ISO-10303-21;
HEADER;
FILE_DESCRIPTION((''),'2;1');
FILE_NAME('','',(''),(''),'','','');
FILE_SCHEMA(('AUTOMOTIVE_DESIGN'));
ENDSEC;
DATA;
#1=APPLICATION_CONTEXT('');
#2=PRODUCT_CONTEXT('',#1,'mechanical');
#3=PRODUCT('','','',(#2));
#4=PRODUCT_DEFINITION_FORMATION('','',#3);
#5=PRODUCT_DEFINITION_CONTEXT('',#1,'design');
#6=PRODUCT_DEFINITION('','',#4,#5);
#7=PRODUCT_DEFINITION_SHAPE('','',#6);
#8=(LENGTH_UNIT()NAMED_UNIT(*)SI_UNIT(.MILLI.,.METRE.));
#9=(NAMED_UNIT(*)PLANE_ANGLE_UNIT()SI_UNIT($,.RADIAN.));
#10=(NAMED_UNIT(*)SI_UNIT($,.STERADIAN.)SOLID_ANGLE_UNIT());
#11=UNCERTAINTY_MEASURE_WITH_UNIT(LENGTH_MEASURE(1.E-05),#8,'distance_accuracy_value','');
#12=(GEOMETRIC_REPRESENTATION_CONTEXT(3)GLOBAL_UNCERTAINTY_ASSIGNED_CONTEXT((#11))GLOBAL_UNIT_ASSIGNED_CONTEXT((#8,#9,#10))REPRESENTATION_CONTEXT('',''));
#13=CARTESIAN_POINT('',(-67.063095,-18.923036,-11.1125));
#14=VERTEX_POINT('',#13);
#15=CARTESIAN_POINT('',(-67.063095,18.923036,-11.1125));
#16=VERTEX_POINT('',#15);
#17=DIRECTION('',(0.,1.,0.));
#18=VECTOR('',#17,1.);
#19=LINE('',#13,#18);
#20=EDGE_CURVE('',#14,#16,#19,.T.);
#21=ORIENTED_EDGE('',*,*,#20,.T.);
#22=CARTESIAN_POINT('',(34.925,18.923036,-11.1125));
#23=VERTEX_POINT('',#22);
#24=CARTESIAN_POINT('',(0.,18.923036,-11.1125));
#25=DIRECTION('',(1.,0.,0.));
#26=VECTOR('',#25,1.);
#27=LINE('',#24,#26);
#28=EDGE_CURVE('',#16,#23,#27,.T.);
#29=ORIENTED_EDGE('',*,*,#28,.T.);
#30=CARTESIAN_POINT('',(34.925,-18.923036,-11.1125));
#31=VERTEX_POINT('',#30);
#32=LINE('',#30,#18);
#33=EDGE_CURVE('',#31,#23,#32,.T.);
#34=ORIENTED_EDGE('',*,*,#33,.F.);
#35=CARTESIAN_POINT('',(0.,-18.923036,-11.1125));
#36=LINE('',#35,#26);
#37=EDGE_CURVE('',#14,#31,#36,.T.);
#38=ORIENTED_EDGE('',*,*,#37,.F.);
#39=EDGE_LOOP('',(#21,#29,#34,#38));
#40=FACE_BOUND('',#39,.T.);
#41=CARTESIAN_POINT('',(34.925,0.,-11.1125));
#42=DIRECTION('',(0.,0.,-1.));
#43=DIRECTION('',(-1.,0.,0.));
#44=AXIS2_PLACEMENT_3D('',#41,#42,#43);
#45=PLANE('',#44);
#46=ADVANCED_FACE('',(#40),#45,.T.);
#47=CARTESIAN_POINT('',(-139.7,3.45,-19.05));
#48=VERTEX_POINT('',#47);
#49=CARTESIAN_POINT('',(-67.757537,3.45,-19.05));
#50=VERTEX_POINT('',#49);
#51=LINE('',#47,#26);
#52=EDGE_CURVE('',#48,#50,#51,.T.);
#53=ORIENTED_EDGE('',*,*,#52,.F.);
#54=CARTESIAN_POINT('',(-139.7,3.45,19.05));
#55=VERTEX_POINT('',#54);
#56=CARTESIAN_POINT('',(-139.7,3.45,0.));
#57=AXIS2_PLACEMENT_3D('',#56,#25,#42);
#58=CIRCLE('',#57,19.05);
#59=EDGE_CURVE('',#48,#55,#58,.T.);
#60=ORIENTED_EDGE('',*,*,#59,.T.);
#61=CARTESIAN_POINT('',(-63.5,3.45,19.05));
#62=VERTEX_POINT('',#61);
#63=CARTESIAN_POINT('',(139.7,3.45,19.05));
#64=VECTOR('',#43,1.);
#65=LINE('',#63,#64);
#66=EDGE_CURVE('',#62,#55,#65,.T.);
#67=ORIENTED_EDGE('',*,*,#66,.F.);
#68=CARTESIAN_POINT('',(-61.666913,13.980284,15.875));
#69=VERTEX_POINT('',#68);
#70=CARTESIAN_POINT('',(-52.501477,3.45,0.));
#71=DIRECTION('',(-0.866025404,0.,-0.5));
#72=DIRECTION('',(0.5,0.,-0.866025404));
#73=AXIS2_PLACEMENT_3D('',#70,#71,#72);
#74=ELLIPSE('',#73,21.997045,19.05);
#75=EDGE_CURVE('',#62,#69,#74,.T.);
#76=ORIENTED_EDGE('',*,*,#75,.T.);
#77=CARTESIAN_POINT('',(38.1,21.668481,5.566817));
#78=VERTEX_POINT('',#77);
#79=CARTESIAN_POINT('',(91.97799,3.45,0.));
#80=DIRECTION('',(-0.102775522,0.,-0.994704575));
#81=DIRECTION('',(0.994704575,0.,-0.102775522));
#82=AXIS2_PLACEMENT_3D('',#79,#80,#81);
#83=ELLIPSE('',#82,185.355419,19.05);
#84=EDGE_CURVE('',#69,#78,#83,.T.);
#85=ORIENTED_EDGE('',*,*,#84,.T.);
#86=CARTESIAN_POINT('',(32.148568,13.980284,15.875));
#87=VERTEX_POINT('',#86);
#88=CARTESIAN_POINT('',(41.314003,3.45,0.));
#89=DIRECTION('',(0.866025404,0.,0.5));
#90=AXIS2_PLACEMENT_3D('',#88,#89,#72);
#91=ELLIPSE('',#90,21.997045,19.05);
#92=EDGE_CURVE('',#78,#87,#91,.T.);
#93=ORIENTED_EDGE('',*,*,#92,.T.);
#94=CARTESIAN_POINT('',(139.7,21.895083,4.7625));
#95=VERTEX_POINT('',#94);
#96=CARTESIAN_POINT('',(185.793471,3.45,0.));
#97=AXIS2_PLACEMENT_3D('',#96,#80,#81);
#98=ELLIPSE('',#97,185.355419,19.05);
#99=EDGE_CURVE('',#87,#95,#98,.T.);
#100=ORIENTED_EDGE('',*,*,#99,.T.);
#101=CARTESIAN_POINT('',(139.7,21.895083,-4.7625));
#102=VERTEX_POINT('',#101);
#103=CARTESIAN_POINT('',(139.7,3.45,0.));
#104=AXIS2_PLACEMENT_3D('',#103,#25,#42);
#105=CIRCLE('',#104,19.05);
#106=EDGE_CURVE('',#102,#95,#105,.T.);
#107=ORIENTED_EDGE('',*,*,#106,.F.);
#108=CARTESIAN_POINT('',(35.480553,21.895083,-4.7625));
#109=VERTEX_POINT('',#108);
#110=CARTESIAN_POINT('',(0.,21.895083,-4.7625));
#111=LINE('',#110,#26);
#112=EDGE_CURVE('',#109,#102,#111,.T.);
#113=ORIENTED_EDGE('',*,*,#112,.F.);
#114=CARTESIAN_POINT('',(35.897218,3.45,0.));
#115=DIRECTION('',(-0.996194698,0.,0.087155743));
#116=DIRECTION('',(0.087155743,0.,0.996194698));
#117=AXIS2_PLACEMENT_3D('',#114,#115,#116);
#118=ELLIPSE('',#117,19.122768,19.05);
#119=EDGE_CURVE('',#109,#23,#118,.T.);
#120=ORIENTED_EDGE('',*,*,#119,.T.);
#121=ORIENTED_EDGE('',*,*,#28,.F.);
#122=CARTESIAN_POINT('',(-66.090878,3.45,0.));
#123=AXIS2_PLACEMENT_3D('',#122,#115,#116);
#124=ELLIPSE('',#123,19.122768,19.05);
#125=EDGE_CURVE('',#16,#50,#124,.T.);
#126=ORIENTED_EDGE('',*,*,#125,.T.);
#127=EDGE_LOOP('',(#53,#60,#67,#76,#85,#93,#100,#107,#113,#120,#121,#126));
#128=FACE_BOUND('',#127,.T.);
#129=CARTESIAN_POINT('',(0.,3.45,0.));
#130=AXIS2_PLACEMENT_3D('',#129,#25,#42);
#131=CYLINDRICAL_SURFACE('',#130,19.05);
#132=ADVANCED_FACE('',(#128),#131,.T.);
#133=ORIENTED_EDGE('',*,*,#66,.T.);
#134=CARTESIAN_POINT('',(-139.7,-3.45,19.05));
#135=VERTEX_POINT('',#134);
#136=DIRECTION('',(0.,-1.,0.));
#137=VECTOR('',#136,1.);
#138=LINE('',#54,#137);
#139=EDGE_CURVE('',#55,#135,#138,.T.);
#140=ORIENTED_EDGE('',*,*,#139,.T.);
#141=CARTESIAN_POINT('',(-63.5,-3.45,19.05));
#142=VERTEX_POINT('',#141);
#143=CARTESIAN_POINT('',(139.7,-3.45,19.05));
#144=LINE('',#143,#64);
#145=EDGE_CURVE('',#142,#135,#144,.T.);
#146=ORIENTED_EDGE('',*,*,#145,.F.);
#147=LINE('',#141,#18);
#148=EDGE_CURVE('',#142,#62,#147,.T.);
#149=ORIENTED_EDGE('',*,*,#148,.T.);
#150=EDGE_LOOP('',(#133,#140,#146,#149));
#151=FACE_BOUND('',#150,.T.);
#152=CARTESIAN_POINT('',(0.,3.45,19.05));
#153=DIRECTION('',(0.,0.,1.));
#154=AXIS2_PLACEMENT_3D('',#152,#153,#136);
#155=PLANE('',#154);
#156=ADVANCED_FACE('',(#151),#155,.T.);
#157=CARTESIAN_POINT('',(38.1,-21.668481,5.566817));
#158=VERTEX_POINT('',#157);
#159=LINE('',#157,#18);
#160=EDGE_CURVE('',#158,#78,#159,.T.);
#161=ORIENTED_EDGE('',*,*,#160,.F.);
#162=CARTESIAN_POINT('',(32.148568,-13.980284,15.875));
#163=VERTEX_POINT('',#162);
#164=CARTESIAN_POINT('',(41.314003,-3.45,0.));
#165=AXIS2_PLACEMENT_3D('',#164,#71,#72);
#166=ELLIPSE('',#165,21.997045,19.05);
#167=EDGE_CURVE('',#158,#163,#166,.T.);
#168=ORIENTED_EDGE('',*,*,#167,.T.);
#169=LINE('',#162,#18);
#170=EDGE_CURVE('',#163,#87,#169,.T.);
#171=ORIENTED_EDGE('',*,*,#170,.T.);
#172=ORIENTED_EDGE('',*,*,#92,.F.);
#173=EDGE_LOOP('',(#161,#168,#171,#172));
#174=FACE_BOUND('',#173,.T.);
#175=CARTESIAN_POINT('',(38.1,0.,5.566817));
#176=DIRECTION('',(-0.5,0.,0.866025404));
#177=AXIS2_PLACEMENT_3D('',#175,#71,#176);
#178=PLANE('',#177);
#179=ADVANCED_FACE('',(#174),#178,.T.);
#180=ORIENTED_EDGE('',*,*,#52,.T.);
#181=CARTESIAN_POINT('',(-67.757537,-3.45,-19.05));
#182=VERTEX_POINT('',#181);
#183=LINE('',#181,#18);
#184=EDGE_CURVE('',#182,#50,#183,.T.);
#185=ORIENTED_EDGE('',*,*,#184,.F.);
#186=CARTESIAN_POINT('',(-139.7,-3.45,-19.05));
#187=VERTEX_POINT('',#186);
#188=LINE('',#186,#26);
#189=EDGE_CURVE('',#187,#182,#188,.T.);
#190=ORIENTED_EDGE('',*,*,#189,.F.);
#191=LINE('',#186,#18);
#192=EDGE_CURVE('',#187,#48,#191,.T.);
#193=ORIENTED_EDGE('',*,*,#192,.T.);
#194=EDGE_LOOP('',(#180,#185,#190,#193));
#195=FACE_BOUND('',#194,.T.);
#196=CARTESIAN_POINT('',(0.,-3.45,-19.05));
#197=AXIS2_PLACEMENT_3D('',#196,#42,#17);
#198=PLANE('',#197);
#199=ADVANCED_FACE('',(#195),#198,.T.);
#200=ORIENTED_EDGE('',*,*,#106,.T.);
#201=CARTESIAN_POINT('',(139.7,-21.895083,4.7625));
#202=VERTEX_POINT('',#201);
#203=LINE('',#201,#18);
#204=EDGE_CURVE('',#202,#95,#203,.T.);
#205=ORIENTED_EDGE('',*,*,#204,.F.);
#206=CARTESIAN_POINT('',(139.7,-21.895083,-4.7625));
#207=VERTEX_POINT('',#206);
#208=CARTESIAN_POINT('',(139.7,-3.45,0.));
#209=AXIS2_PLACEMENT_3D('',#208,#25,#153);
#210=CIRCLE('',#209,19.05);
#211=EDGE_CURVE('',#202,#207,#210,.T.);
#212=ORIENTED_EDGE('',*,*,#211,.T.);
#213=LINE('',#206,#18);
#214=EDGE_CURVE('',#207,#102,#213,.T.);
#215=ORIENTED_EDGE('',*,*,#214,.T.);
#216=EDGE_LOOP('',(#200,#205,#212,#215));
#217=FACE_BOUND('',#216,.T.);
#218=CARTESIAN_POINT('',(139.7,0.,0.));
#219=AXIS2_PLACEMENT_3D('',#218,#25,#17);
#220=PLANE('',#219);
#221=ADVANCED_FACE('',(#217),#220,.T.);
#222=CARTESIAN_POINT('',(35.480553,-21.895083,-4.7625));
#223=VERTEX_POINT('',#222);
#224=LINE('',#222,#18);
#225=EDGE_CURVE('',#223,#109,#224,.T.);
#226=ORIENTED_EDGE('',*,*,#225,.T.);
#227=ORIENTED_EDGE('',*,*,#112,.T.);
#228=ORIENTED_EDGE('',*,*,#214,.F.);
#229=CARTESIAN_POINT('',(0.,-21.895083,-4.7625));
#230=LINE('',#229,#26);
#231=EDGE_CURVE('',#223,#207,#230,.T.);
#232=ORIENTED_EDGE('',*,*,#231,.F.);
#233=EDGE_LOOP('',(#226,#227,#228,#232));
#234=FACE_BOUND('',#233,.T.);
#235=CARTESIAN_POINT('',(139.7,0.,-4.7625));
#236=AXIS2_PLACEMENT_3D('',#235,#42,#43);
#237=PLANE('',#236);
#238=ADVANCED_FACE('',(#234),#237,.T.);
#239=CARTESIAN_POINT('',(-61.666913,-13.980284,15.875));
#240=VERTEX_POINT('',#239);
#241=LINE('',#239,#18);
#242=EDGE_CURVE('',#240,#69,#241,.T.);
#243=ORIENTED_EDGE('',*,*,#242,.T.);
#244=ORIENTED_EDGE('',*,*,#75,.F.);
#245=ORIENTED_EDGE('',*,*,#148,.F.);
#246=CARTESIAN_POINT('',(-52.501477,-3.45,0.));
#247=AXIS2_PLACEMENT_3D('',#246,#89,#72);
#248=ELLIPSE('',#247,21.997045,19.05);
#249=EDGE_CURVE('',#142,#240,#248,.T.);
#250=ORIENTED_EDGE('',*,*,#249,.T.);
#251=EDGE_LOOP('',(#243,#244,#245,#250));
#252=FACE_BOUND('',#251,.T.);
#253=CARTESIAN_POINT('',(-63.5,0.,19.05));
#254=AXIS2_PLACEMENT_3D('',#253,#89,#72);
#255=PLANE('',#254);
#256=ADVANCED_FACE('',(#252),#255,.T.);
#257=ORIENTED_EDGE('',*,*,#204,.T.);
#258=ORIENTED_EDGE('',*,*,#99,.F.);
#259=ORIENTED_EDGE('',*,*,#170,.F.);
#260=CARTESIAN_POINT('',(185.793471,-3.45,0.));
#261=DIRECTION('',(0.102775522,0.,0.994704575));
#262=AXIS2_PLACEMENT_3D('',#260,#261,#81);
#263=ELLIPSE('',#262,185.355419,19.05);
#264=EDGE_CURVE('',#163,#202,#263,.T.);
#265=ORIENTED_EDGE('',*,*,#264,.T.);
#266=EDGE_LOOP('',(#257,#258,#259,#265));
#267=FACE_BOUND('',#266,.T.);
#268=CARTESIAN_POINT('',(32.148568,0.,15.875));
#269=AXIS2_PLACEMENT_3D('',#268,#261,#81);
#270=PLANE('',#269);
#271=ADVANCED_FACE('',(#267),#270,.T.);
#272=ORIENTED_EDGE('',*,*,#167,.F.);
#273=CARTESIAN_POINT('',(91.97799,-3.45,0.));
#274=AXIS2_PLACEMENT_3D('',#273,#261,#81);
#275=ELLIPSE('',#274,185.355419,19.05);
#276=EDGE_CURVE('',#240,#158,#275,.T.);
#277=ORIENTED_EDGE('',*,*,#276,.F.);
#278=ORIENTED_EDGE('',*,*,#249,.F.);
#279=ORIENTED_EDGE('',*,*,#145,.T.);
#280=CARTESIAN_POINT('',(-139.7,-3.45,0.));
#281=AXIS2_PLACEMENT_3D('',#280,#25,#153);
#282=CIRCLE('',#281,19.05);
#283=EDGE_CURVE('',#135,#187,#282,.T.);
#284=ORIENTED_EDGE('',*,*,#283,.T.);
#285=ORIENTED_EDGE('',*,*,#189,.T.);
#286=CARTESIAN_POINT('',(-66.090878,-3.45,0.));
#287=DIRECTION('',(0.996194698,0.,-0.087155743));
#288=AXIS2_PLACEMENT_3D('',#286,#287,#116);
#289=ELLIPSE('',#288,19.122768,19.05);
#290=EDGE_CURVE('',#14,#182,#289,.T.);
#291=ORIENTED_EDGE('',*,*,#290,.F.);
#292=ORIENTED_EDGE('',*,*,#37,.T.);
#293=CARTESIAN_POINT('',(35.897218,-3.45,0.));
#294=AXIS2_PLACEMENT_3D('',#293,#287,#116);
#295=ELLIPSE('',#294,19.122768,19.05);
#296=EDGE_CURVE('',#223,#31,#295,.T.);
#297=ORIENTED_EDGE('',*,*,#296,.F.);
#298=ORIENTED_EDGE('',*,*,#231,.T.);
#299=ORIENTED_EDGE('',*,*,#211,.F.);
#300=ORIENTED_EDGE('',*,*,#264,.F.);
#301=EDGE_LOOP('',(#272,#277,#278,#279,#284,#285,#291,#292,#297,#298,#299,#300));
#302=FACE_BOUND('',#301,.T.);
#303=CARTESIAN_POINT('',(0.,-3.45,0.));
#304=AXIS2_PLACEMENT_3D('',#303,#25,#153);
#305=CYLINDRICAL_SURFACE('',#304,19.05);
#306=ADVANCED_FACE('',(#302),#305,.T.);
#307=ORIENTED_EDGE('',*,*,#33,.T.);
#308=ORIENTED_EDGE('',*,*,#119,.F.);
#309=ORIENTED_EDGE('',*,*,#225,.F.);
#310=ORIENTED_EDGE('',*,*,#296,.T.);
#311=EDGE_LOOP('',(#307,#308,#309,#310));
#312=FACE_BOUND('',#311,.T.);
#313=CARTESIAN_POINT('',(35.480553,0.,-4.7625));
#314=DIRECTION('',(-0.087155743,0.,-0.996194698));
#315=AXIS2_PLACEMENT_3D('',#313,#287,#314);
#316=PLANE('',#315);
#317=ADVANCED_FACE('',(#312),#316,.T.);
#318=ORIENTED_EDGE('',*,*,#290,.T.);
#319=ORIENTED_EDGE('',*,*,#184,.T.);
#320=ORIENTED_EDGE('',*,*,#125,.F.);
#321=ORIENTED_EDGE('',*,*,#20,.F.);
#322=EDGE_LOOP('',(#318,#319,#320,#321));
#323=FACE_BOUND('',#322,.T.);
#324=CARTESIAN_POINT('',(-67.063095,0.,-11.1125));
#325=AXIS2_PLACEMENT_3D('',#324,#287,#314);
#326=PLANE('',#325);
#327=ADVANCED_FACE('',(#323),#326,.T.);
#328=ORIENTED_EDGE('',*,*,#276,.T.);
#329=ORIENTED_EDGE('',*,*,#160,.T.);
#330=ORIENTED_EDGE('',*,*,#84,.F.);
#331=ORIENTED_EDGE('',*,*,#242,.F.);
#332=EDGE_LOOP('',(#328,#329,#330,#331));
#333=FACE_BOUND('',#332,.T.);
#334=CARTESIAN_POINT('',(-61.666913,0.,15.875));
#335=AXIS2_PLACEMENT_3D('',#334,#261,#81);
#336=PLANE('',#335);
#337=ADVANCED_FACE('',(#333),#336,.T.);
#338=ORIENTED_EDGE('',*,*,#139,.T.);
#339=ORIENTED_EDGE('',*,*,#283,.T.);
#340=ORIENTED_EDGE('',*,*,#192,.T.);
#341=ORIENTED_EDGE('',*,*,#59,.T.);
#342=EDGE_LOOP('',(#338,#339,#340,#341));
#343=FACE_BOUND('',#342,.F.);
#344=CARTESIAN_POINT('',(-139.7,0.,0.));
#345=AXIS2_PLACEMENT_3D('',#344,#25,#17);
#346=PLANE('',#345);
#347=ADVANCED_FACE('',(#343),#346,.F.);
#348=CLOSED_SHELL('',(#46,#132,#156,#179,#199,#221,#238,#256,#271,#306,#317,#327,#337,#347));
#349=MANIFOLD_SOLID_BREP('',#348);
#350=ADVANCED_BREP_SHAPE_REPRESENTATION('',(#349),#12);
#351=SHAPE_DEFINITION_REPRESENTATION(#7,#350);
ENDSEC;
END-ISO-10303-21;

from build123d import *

# Parameters (mm, degrees)
F1_DEPTH      = 139.7
F1_DEPTH_BACK = 139.7
F3_DEPTH      = 22.501
F3_DEPTH_BACK = 22.501
F5_DEPTH      = 22.501
F5_DEPTH_BACK = 22.501


with BuildPart() as f1:
    # F0 (on Right) → F1 (new body, two sides)
    with BuildSketch(Plane.YZ) as f1_sk:
        with BuildLine():
            ThreePointArc((-3.45, 19.05), (-22.5, 0), (-3.45, -19.05))
            Line((-3.45, -19.05), (3.45, -19.05))
            ThreePointArc((3.45, -19.05), (22.5, 0), (3.45, 19.05))
            Line((3.45, 19.05), (-3.45, 19.05))
        make_face()
    extrude(amount=F1_DEPTH)
    extrude(f1_sk.sketch, amount=-F1_DEPTH_BACK)

    # F2 (on Front) → F3 (cut, two sides)
    with BuildSketch(Plane.XZ) as f3_sk:
        Polygon((139.7, 19.05), (-63.5, 19.05), (-61.6669128953, 15.875), (38.1, 5.5668172272), (32.1485679013, 15.875), (139.7, 4.7625), align=None)
    extrude(amount=-F3_DEPTH, mode=Mode.SUBTRACT)
    extrude(f3_sk.sketch, amount=F3_DEPTH_BACK, mode=Mode.SUBTRACT)

    # F4 (on Front) → F5 (cut, two sides)
    with BuildSketch(Plane.XZ) as f5_sk:
        Polygon((139.7, -19.05), (139.7, -4.7625), (35.4805530134, -4.7625), (34.925, -11.1125), (-67.0630954944, -11.1125), (-67.7575367611, -19.05), align=None)
    extrude(amount=-F5_DEPTH, mode=Mode.SUBTRACT)
    extrude(f5_sk.sketch, amount=F5_DEPTH_BACK, mode=Mode.SUBTRACT)


solid = f1.part
